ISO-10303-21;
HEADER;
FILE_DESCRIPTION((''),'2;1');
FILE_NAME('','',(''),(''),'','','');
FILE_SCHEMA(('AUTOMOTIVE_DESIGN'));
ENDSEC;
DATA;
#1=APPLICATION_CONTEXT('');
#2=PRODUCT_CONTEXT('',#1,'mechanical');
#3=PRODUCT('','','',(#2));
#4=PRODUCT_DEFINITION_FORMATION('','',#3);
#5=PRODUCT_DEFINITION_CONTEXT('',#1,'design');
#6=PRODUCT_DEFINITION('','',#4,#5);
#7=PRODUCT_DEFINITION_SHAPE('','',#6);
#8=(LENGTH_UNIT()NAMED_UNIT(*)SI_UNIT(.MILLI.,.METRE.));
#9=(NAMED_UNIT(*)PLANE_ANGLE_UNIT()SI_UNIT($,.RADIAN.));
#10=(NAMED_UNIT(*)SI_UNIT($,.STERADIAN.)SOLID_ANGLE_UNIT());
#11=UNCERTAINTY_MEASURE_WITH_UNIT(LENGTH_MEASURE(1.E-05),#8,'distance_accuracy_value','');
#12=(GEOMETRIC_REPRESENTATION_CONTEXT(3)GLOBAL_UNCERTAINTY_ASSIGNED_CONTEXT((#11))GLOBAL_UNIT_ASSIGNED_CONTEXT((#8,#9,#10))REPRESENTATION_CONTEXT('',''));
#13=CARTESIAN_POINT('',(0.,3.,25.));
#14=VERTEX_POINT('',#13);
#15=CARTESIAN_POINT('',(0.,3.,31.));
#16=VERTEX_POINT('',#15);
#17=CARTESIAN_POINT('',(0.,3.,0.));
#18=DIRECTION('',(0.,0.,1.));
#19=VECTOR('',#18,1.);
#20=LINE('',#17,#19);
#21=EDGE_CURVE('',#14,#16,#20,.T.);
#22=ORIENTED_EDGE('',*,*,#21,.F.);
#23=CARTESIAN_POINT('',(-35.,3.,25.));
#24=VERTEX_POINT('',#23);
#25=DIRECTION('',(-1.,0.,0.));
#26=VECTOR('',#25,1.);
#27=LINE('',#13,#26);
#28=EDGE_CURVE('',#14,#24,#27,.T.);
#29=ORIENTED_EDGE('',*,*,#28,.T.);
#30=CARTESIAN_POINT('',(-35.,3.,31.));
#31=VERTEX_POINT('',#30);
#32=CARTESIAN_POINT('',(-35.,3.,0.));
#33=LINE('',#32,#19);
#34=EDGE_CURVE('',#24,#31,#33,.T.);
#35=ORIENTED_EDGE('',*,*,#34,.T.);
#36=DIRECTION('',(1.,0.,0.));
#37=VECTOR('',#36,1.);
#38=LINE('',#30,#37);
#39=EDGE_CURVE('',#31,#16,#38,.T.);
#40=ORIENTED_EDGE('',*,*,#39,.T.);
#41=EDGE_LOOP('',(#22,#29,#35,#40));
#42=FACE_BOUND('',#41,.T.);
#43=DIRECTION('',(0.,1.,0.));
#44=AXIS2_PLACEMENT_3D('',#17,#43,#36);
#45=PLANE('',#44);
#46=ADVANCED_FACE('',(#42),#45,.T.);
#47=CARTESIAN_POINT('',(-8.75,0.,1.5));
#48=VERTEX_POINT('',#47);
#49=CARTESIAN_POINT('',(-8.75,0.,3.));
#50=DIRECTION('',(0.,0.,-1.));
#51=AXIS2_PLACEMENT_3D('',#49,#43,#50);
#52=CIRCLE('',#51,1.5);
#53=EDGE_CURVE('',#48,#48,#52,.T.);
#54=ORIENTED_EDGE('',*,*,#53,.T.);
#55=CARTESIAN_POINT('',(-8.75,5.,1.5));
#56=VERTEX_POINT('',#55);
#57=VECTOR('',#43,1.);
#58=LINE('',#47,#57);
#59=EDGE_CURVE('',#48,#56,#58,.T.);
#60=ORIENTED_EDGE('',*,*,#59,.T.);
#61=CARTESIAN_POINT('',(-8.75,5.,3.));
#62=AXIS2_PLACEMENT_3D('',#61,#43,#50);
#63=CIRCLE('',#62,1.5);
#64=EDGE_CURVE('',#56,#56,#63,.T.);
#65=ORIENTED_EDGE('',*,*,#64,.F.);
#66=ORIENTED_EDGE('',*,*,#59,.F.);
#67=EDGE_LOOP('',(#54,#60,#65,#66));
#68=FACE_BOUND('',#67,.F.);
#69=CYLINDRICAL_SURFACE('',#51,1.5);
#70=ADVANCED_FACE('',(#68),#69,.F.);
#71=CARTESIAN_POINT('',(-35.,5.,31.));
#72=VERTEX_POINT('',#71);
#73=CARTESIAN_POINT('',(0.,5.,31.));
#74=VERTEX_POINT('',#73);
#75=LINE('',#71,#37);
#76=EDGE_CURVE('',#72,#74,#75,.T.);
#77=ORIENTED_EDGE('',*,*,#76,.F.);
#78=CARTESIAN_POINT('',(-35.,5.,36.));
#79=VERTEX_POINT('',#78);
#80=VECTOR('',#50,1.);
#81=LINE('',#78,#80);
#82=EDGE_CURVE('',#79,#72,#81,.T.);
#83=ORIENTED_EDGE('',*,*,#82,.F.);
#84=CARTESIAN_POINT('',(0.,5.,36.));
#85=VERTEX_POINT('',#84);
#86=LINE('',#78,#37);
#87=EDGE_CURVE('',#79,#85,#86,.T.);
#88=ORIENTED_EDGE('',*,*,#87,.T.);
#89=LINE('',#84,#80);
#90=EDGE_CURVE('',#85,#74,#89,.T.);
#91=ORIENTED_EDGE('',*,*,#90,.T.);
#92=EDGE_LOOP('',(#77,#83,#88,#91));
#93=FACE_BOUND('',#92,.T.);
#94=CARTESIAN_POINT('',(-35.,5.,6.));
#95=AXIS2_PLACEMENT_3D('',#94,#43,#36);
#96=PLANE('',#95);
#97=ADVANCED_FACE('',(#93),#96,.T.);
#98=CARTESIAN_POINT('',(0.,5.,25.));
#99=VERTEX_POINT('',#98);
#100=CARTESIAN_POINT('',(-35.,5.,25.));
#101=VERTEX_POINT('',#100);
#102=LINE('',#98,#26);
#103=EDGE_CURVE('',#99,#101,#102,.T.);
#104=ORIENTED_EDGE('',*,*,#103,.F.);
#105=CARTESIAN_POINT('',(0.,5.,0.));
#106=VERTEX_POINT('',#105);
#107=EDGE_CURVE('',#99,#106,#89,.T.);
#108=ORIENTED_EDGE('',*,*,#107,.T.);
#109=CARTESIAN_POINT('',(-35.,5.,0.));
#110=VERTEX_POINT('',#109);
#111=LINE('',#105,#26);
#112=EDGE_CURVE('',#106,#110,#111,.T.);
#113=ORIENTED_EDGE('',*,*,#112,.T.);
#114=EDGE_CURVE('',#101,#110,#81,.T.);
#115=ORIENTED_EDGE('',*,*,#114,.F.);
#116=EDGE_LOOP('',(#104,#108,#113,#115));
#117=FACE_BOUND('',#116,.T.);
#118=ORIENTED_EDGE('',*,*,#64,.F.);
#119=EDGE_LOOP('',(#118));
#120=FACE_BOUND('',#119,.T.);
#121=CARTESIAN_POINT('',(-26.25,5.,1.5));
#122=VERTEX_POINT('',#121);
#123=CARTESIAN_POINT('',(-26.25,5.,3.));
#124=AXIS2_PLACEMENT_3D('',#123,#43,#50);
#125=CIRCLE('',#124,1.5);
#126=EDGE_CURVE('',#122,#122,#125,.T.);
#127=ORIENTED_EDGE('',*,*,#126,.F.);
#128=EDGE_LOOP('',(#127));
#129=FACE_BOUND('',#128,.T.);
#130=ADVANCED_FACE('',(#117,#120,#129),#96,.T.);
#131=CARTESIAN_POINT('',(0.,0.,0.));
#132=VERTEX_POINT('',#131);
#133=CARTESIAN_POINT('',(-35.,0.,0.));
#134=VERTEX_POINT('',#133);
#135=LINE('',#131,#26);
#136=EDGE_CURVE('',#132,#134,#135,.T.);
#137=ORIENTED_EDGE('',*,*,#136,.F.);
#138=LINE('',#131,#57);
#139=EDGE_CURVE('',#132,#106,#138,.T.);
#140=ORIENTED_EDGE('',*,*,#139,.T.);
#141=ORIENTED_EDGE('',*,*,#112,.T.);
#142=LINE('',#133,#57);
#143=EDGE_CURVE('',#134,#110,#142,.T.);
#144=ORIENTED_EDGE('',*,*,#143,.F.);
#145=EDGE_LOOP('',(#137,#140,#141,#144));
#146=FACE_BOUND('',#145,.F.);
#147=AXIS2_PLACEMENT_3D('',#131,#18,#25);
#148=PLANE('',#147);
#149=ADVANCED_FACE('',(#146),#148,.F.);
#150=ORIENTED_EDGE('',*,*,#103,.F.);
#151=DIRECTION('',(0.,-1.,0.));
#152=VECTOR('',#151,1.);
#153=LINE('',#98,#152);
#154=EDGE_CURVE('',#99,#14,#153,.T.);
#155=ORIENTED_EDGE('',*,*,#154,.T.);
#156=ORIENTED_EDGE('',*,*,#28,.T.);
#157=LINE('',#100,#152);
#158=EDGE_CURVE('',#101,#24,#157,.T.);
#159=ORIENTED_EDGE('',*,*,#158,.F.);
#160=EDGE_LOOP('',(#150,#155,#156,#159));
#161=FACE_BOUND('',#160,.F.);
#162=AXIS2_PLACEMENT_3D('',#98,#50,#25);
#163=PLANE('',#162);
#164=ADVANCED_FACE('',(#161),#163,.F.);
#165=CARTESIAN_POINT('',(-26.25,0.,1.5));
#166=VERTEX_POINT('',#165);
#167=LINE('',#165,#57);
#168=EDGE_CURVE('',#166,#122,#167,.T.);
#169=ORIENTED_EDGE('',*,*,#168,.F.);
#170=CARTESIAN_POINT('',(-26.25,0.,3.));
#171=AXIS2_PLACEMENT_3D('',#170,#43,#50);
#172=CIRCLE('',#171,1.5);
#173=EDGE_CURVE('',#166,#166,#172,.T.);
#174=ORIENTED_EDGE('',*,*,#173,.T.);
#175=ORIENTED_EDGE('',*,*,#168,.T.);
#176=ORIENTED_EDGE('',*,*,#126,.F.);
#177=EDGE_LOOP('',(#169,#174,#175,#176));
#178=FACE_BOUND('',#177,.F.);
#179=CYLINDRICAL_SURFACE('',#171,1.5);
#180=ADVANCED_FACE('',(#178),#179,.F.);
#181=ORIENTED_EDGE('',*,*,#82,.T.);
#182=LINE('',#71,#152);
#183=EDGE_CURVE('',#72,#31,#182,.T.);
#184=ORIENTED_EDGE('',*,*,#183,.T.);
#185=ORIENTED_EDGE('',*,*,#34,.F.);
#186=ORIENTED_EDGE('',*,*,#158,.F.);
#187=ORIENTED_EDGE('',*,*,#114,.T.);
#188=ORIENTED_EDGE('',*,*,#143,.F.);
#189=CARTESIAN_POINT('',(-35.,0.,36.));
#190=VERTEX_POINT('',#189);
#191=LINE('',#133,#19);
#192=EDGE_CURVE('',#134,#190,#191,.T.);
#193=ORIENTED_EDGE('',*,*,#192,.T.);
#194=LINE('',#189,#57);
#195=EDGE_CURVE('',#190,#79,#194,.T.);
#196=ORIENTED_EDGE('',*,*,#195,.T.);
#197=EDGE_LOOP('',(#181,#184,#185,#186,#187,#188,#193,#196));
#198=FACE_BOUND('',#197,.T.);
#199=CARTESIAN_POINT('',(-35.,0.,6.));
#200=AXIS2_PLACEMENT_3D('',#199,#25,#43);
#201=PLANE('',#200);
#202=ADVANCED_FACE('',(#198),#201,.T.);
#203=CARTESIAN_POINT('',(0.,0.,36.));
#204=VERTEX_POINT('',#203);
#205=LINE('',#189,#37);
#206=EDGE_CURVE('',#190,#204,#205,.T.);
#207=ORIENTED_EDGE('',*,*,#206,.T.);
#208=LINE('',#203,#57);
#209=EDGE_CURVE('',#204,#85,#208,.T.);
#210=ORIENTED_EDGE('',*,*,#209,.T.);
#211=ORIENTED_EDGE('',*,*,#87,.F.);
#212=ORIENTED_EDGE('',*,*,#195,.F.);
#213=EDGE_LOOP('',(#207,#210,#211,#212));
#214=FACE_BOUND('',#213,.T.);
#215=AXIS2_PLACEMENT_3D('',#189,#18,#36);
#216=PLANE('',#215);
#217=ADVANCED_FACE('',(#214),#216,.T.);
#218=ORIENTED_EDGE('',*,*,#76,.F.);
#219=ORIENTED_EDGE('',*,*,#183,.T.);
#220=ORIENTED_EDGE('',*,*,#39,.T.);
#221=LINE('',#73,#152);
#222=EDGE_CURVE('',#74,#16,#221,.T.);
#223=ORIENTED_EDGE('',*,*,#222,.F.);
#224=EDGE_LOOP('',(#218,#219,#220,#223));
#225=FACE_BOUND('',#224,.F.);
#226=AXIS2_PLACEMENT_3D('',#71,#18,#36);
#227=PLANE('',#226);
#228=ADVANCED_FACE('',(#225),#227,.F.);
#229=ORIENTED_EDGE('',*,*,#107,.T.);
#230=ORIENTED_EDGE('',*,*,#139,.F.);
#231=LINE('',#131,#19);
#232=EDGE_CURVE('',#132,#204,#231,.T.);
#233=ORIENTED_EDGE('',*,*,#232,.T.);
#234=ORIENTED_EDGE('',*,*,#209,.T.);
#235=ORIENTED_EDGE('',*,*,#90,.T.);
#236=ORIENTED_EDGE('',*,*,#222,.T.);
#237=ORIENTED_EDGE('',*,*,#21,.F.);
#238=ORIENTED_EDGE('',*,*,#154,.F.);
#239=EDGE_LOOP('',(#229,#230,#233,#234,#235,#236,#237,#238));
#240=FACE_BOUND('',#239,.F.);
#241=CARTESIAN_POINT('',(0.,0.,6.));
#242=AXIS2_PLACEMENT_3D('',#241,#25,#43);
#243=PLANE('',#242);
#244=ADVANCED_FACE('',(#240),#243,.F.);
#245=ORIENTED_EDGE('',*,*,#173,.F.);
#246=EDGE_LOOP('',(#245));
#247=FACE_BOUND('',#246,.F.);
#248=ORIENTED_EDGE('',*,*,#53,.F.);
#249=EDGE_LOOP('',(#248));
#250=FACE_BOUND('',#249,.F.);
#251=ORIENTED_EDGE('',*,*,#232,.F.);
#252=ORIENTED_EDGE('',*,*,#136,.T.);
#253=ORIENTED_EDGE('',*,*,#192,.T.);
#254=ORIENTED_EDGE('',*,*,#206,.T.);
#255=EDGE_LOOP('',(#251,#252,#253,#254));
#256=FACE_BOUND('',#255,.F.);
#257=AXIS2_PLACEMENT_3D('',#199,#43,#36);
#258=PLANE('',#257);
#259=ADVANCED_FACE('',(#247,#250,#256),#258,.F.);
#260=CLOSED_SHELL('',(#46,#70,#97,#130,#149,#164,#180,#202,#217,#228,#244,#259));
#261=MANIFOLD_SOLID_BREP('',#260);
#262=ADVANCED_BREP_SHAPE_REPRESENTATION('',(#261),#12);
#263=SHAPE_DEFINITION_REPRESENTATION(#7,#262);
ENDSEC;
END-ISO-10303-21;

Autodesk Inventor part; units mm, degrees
ref_plane "YZ Plane" through (0, 0, 0) normal (1, 0, 0) x (0, 1, 0)
ref_plane "XZ Plane" through (0, 0, 0) normal (0, 1, 0) x (-1, 0, 0)
ref_plane "XY Plane" through (0, 0, 0) normal (0, 0, 1) x (1, 0, 0)
sketch "Sketch1" plane through (0, 0, 0) normal (0, 1, 0) x (-1, 0, 0)
  line L0 (0, 0) -> (35, 0)
  line L1 (35, 0) -> (35, 6)
  line L2 (0, 6) -> (35, 6)
  line L3 (0, 0) -> (0, 6)
  line L4 (0, 6) -> (0, 0)
  line L5 (0, 3) -> (35, 3)
  line L6 (17.5, 3) -> (35, 3)
  line L7 (17.5, 3) -> (0, 3)
  point P0 (17.5, 0)
  point P1 (8.75, 3)
  point P2 (26.25, 3)
extrude "Extrusion1" add sketch "Sketch1" along normal blind 5
sketch "Sketch2" plane through (-35, 0, 6) normal (0, 0, 1) x (1, 0, 0)
  line L0 (0, 0) -> (35, 0) projected
  line L1 (35, 0) -> (35, 5) projected
  line L2 (0, 5) -> (35, 5) projected
  line L3 (0, 0) -> (0, 5) projected
extrude "Extrusion2" add sketch "Sketch2" along normal blind 30
sketch "Sketch3" plane through (0, 5, 0) normal (0, 1, 0) x (1, 0, 0)
  line L0 (0, 0) -> (0, -36) projected
  line L1 (0, 0) -> (-35, 0) projected
  line L2 (-35, 0) -> (-35, -36) projected
  line L3 (0, -36) -> (-35, -36) projected
  line L4 (-35, 0) -> (-35, -36) projected
  line L5 (-35, -31) -> (0, -31)
  line L6 (0, -31) -> (0, -25)
  line L7 (0, -25) -> (-35, -25)
  line L8 (-35, -25) -> (-35, -31)
  dimension "d4" = 5
  dimension "d5" = 25
extrude "Extrusion3" cut sketch "Sketch3" against normal blind 2 contours L0 L5 L2 L7
sketch "Sketch4" plane through (0, 0, 0) normal (0, -1, 0) x (1, 0, 0)
  line L0 (-35, 0) -> (0, 0)
  line L1 (0, 0) -> (0, 6)
  line L2 (-35, 6) -> (0, 6)
  line L3 (-35, 0) -> (-35, 6)
  line L4 (-35, 6) -> (-35, 0)
  line L5 (-35, 3) -> (0, 3)
  line L6 (-17.5, 3) -> (0, 3)
  line L7 (-17.5, 3) -> (-35, 3)
  point P0 (0, 0)
  point P1 (-17.5, 0)
  point P2 (-8.75, 3)
  point P3 (-26.25, 3)
hole "Hole1" at (-8.75, 0, 3) at (-26.25, 0, 3) direction (0, 1, 0) diameter 3 depth 8 tip angle 118
properties part number "angle_clip" material "ABS Plastic"
